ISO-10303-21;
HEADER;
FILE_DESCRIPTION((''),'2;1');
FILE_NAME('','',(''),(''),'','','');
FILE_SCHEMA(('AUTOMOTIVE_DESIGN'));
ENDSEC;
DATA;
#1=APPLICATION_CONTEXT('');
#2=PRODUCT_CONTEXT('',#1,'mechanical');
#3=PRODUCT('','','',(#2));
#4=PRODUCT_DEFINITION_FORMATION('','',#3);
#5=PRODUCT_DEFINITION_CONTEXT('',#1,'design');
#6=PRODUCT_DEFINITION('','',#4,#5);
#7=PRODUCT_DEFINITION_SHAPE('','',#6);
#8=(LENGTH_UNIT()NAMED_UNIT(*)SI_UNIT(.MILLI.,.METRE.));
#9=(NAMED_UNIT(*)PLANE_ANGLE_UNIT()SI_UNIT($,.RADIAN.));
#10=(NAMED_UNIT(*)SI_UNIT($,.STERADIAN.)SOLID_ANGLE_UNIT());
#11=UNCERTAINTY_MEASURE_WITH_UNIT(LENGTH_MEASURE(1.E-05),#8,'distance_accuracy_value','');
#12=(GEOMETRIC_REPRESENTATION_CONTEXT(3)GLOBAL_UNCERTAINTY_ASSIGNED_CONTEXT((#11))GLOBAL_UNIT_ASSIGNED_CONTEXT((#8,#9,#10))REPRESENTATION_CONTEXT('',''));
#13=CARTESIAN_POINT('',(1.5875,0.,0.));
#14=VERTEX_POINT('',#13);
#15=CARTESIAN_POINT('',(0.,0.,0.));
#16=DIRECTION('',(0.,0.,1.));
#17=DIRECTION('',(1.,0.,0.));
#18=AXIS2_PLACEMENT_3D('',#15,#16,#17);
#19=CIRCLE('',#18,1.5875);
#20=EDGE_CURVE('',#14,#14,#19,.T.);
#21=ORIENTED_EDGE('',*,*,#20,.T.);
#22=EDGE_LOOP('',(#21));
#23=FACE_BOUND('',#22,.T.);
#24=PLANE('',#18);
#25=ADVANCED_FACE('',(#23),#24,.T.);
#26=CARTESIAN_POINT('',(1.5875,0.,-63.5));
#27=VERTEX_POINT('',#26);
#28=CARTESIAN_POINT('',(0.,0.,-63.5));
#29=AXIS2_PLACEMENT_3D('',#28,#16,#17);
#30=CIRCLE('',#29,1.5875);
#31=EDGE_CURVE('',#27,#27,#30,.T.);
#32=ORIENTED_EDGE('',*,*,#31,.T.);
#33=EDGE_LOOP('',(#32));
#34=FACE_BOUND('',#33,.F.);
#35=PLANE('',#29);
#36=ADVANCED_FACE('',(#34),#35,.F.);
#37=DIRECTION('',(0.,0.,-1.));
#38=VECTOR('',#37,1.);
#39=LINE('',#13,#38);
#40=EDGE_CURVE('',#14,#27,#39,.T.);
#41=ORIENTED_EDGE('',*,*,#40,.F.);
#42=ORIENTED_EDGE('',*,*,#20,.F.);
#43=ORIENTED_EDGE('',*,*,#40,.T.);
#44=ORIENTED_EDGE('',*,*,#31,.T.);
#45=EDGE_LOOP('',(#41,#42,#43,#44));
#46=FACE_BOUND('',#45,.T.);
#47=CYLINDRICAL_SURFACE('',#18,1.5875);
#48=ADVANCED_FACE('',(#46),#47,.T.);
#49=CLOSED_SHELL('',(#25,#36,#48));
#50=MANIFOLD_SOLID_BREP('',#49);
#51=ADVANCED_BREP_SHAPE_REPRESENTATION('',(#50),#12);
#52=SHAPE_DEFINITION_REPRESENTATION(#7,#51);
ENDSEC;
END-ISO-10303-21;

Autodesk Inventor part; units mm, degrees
ref_plane "YZ Plane" through (0, 0, 0) normal (1, 0, 0) x (0, 1, 0)
ref_plane "XZ Plane" through (0, 0, 0) normal (0, 1, 0) x (-1, 0, 0)
ref_plane "XY Plane" through (0, 0, 0) normal (0, 0, 1) x (1, 0, 0)
sketch "Sketch1" plane through (0, 0, 0) normal (0, 0, 1) x (1, 0, 0)
  circle A0 centre (0, 0) radius 1.5875
  dimension "d0" = 3.175
extrude "Extrusion1" add sketch "Sketch1" against normal blind 63.5
properties part number "275-1272" material "Steel"
